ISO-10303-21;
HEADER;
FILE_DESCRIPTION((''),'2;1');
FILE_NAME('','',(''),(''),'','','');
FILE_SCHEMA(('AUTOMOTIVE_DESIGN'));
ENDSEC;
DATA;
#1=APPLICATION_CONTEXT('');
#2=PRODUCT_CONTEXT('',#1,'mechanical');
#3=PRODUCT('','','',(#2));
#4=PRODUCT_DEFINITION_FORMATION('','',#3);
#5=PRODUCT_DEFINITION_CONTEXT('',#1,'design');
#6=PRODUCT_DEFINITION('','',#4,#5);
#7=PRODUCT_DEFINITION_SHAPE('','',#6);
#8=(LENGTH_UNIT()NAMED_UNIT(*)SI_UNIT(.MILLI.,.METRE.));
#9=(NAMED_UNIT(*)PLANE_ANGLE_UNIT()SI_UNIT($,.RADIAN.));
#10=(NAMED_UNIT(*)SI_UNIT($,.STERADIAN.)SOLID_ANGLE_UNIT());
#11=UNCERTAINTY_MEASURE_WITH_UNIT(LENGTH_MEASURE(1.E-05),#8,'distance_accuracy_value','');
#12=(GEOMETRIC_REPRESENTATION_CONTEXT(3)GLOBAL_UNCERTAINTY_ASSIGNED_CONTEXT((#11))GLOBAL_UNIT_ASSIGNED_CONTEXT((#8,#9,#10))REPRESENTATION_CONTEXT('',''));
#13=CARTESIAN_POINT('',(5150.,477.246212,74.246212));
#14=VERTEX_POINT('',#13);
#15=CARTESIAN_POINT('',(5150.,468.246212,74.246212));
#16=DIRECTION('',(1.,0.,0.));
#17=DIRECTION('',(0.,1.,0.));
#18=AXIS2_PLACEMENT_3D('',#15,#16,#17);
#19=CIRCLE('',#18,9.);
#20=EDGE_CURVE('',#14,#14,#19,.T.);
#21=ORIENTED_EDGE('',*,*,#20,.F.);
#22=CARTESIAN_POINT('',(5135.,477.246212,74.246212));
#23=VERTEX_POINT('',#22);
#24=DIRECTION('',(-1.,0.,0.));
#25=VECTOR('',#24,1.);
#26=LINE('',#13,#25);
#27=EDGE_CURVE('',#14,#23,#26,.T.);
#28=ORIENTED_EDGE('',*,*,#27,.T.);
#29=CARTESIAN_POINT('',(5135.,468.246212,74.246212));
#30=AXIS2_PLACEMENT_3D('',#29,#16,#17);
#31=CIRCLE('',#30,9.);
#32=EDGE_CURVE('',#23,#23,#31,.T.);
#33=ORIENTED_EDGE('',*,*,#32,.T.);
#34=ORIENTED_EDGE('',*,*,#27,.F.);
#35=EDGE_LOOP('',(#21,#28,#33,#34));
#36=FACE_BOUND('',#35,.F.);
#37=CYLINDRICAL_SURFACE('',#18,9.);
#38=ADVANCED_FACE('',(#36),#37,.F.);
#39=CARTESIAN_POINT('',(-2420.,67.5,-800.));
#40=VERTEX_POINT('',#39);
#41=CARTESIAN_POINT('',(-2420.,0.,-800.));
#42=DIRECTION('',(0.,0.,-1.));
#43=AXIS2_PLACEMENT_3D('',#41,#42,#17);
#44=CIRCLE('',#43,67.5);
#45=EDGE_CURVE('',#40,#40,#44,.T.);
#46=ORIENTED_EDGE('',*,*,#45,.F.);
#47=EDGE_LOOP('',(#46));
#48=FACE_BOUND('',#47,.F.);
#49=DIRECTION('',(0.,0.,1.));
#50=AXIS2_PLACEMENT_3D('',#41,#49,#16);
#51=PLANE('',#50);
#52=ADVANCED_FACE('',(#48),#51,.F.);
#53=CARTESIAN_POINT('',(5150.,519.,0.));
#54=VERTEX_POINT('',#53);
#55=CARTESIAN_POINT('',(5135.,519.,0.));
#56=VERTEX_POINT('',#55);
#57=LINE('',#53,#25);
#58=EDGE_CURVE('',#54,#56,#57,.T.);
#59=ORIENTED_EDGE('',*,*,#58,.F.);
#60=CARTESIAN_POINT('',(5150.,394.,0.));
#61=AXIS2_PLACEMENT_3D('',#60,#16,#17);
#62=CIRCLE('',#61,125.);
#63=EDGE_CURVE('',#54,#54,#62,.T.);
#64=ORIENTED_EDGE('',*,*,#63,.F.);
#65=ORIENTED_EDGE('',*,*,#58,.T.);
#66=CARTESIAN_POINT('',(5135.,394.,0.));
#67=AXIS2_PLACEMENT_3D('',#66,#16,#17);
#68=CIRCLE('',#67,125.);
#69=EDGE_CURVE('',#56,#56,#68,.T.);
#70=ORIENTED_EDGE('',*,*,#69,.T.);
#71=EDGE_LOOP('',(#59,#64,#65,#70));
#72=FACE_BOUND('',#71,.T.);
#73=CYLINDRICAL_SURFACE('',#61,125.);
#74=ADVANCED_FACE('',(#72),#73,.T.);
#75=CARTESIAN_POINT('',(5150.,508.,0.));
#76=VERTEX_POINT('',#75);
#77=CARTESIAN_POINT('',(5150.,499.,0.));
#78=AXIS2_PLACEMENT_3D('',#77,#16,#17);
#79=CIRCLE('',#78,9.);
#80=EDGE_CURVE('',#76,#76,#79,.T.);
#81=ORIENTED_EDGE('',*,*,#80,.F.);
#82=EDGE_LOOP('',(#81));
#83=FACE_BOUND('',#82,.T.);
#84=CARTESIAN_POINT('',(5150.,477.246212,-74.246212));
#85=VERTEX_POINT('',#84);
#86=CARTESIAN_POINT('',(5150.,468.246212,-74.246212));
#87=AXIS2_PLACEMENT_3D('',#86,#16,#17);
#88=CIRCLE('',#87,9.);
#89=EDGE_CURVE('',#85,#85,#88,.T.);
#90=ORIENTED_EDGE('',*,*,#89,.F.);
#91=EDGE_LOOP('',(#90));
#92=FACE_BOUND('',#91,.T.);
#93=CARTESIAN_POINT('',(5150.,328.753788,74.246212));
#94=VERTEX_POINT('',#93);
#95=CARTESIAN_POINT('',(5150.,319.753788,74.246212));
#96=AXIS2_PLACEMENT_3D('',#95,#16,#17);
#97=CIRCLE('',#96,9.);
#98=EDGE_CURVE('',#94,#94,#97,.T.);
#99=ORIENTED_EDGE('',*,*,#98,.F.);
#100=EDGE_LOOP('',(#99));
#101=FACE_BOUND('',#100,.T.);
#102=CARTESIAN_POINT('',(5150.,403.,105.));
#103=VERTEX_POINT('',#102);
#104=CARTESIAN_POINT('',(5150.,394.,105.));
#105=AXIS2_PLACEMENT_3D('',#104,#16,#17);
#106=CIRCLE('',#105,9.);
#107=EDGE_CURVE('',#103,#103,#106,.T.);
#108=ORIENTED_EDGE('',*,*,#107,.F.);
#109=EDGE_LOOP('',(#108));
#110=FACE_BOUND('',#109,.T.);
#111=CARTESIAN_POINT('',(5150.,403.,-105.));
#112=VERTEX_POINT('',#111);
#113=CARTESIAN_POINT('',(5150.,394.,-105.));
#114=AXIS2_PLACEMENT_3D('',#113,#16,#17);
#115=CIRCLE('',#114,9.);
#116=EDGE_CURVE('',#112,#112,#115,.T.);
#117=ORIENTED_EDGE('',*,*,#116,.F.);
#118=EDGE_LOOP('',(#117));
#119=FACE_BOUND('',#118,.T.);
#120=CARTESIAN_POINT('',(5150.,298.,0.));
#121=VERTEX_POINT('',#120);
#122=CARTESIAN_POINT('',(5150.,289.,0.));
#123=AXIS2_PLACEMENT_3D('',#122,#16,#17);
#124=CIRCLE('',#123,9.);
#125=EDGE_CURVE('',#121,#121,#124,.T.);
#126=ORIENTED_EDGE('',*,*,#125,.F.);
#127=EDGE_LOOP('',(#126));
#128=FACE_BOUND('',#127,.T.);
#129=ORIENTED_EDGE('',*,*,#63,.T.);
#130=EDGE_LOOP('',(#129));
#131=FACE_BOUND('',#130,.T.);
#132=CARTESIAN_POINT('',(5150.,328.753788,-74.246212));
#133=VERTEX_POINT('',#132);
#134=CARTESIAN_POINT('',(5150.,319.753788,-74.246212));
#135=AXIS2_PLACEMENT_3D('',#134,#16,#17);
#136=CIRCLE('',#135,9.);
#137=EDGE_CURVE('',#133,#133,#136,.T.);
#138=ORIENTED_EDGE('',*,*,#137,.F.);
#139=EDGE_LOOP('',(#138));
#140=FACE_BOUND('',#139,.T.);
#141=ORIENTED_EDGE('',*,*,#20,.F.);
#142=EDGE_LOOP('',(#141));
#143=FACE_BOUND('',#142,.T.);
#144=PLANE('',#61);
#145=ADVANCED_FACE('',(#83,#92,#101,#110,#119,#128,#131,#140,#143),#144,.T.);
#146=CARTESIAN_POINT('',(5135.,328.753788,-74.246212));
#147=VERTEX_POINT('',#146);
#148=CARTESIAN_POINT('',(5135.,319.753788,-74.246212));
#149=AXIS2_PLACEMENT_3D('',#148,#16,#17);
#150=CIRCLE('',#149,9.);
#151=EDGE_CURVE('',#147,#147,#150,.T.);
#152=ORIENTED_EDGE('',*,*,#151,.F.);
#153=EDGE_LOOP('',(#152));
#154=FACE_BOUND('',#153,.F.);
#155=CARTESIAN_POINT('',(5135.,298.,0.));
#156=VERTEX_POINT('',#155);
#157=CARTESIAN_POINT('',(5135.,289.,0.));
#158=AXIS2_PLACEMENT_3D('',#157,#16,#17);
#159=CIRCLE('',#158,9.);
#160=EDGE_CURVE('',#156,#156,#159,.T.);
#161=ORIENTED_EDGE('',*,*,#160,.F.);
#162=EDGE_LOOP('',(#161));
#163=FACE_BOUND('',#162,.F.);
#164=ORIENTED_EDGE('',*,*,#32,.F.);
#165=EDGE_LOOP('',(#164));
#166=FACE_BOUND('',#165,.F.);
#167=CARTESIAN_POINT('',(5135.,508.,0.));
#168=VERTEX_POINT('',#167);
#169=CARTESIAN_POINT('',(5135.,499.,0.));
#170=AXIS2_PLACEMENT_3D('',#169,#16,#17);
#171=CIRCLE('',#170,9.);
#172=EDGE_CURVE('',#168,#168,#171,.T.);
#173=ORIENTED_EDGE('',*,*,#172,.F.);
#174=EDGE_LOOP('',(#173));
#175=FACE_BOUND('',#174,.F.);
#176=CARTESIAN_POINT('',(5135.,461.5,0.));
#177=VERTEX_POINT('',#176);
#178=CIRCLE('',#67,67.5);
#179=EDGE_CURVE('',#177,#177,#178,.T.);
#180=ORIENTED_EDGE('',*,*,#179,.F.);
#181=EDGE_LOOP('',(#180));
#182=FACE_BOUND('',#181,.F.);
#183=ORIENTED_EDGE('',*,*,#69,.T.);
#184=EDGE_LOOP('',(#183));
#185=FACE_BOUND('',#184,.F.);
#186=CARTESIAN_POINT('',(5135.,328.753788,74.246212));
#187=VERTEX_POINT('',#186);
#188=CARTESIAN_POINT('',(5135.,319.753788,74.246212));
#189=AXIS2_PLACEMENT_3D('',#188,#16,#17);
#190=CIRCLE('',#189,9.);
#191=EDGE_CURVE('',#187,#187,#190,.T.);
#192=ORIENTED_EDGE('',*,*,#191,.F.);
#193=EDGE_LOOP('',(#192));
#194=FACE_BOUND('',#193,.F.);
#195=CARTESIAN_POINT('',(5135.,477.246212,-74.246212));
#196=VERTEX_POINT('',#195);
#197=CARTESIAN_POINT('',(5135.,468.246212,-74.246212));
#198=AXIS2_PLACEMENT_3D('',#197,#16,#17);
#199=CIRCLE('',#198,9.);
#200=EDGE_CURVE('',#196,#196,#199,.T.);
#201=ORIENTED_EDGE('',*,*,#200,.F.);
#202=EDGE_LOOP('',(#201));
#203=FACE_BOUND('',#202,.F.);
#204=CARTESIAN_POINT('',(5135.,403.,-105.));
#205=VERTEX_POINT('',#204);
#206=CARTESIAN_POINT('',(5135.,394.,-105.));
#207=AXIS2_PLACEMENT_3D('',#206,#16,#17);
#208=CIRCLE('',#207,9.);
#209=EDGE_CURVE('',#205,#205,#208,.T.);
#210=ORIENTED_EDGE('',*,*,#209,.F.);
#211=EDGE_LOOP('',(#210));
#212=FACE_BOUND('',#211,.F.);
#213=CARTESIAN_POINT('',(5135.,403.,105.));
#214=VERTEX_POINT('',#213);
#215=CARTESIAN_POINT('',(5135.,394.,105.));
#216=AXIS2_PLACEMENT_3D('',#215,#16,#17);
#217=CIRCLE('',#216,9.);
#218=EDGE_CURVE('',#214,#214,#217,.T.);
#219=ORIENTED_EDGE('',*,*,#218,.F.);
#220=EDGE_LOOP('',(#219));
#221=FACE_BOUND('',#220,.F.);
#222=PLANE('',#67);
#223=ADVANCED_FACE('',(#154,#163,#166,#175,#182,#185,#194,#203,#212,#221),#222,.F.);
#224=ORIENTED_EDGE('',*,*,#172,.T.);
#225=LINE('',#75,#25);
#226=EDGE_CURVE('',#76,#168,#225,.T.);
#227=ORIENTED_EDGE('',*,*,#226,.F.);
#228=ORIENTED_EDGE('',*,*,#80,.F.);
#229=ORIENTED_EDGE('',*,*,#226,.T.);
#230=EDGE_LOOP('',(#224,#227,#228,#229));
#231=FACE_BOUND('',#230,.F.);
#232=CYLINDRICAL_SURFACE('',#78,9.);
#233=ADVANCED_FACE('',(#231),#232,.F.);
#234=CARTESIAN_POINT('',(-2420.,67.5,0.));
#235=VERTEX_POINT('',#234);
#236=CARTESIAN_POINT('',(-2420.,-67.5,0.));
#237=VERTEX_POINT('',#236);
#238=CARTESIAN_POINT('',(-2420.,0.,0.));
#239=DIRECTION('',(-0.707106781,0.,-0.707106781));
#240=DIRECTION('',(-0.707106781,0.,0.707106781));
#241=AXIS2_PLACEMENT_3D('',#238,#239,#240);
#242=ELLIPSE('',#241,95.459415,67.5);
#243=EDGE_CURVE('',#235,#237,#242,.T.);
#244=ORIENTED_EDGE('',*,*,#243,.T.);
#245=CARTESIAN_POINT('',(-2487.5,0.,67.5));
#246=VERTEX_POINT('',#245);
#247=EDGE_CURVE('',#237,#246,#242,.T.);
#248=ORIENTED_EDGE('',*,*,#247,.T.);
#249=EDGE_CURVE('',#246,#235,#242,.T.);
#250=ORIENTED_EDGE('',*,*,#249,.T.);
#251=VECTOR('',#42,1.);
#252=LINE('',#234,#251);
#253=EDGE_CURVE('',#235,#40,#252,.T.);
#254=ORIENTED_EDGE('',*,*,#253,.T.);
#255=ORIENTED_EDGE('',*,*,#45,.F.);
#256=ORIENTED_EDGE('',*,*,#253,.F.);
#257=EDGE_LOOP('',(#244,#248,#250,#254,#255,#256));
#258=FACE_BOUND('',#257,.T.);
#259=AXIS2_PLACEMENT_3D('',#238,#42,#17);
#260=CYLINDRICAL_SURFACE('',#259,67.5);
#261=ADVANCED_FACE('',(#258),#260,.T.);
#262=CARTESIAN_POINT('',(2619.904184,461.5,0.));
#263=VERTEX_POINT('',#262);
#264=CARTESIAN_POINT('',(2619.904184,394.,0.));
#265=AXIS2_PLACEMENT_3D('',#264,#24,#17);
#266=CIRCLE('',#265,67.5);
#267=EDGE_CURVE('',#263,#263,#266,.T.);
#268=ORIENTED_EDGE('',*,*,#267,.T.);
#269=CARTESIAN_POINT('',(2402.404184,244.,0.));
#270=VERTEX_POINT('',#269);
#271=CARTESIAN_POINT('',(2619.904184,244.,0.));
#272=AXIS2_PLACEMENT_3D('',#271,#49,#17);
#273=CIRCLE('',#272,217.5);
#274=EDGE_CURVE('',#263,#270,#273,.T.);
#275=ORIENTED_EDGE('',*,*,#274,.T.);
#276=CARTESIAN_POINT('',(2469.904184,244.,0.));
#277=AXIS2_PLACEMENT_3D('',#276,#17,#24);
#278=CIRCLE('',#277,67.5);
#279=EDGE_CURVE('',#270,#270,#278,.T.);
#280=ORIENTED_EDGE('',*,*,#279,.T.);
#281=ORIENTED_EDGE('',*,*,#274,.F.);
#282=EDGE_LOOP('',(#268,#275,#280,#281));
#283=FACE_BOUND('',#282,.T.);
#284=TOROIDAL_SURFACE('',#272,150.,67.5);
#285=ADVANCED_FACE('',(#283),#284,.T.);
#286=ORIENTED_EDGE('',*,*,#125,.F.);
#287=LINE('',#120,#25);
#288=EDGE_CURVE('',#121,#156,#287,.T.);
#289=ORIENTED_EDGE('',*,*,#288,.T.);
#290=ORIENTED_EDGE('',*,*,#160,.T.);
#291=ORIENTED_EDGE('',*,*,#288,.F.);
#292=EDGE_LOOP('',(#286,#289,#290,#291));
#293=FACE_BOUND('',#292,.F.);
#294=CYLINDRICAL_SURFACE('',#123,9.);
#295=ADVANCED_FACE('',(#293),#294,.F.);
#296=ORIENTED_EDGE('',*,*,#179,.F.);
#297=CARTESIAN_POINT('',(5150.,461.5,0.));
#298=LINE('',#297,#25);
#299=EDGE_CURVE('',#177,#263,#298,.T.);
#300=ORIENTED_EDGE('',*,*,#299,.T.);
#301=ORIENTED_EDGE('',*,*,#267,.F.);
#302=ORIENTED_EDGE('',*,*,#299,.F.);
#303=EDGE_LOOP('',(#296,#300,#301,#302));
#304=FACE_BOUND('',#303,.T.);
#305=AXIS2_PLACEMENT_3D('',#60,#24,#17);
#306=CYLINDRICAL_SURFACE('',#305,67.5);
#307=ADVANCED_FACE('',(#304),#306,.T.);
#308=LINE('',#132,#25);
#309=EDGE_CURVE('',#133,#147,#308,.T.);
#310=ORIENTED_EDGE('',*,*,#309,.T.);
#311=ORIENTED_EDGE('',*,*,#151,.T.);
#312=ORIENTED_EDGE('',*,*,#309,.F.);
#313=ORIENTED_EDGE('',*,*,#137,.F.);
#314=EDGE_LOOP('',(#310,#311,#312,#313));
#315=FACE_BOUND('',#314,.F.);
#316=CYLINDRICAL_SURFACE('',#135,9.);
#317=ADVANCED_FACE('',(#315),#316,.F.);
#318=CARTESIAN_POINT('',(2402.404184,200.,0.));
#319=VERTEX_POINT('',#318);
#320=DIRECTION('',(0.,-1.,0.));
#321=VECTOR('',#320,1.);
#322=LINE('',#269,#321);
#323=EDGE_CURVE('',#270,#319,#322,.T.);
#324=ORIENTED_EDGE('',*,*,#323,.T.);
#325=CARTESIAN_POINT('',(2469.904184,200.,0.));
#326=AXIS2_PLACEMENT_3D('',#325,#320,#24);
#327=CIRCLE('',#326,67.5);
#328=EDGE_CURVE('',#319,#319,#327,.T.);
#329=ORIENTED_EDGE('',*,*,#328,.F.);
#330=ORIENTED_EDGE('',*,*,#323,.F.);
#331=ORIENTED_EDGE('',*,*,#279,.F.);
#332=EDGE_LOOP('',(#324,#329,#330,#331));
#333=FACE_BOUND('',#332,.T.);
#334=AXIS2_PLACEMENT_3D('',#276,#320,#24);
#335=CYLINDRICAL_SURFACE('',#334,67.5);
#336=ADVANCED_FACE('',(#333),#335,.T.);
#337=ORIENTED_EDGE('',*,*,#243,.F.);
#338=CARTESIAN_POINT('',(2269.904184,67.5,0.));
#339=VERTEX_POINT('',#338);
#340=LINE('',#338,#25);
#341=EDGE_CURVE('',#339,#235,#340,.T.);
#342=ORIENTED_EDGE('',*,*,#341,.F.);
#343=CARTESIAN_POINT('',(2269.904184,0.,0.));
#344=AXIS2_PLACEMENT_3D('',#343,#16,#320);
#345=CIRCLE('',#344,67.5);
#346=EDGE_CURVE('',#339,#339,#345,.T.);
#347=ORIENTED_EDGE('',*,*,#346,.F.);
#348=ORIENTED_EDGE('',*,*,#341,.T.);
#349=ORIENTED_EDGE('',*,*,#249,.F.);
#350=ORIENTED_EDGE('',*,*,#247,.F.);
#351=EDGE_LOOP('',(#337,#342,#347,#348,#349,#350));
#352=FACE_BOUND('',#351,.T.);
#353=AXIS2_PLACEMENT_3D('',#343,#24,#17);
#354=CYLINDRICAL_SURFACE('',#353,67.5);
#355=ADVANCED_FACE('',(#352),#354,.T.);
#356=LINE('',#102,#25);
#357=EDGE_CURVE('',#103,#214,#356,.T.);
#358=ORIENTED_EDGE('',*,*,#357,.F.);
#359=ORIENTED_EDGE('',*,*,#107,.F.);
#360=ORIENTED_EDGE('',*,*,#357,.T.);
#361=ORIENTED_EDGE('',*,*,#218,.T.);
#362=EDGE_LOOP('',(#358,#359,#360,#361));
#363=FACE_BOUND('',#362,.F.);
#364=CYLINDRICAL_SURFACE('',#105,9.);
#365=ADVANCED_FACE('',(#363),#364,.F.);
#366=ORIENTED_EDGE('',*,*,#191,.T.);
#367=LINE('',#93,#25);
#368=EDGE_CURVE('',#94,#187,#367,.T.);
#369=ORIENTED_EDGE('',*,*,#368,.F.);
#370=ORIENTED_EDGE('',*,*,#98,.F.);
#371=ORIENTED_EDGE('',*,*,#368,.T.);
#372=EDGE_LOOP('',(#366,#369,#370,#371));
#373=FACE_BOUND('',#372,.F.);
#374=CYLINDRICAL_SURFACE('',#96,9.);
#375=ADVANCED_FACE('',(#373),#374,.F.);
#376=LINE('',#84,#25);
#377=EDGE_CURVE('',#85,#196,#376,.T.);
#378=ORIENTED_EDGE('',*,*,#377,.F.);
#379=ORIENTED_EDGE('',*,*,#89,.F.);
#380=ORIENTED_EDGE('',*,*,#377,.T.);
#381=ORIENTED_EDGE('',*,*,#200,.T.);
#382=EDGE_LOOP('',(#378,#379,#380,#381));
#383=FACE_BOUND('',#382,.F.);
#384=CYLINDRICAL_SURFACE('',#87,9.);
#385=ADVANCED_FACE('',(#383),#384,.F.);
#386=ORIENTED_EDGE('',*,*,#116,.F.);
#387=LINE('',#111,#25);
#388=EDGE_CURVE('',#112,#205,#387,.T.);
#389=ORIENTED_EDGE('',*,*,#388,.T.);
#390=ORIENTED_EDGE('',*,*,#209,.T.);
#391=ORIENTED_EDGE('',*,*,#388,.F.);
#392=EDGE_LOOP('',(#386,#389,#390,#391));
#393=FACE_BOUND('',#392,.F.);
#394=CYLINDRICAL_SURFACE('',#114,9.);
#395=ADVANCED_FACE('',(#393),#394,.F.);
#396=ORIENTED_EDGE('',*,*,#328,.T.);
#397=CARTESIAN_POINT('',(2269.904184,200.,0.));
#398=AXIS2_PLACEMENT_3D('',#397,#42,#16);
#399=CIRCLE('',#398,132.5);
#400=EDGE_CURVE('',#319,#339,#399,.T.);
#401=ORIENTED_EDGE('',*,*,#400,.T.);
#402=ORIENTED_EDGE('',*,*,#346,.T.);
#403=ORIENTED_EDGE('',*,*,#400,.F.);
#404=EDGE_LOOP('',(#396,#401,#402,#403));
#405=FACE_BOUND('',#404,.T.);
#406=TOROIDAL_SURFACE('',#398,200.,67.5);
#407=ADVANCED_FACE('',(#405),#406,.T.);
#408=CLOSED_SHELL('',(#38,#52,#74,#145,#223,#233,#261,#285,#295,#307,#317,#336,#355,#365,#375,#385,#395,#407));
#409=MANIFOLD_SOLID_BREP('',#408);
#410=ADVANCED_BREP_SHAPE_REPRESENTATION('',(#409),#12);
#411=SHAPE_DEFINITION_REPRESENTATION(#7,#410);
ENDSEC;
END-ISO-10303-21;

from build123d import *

# Parameters (mm, degrees)
F3_R     = 67.5
F3_R_2   = 125
F3_R_3   = 9
F5_DEPTH = 15


with BuildPart() as f4:
    # F4: sweep along a path in F0, F1
    with BuildLine(Plane.XY) as f4_path:
        Line((5150, 394), (2619.9041843414, 394))
        ThreePointArc((2619.9041843414, 394), (2513.8381671634, 350.066017178), (2469.9041843414, 244))
        Line((2469.9041843414, 244), (2469.9041843414, 200))
        ThreePointArc((2469.9041843414, 200), (2411.3255405787, 58.5786437627), (2269.9041843414, 0))
        Line((2269.9041843414, 0), (0, 0))
        Line((0, 0), (-2420, 0))
    with BuildLine(Plane.XZ) as f4_path_2:
        Line((-2420, 0), (-2420, -800))
    # F3 (on offset) → F4 (sweep)
    with BuildSketch(Plane.YZ.offset(5150)):
        with Locations((394, 0)):
            Circle(F3_R)
    sweep(path=f4_path.line + f4_path_2.line, transition=Transition.RIGHT)

    # F3 (on offset) → F5 (join)
    with BuildSketch(Plane.YZ.offset(5150)):
        with Locations((394, 0)):
            Circle(F3_R_2)
        with Locations((319.7537879754, -74.2462120246)):
            Circle(F3_R_3, mode=Mode.SUBTRACT)
        with Locations((394, -105)):
            Circle(F3_R_3, mode=Mode.SUBTRACT)
        with Locations((468.2462120246, -74.2462120246)):
            Circle(F3_R_3, mode=Mode.SUBTRACT)
        with Locations((289, 0)):
            Circle(F3_R_3, mode=Mode.SUBTRACT)
        with Locations((319.7537879754, 74.2462120246)):
            Circle(F3_R_3, mode=Mode.SUBTRACT)
        with Locations((394, 0)):
            Circle(F3_R, mode=Mode.SUBTRACT)
        with Locations((499, 0)):
            Circle(F3_R_3, mode=Mode.SUBTRACT)
        with Locations((394, 105)):
            Circle(F3_R_3, mode=Mode.SUBTRACT)
        with Locations((468.2462120246, 74.2462120246)):
            Circle(F3_R_3, mode=Mode.SUBTRACT)
    extrude(amount=-F5_DEPTH)


solid = f4.part
